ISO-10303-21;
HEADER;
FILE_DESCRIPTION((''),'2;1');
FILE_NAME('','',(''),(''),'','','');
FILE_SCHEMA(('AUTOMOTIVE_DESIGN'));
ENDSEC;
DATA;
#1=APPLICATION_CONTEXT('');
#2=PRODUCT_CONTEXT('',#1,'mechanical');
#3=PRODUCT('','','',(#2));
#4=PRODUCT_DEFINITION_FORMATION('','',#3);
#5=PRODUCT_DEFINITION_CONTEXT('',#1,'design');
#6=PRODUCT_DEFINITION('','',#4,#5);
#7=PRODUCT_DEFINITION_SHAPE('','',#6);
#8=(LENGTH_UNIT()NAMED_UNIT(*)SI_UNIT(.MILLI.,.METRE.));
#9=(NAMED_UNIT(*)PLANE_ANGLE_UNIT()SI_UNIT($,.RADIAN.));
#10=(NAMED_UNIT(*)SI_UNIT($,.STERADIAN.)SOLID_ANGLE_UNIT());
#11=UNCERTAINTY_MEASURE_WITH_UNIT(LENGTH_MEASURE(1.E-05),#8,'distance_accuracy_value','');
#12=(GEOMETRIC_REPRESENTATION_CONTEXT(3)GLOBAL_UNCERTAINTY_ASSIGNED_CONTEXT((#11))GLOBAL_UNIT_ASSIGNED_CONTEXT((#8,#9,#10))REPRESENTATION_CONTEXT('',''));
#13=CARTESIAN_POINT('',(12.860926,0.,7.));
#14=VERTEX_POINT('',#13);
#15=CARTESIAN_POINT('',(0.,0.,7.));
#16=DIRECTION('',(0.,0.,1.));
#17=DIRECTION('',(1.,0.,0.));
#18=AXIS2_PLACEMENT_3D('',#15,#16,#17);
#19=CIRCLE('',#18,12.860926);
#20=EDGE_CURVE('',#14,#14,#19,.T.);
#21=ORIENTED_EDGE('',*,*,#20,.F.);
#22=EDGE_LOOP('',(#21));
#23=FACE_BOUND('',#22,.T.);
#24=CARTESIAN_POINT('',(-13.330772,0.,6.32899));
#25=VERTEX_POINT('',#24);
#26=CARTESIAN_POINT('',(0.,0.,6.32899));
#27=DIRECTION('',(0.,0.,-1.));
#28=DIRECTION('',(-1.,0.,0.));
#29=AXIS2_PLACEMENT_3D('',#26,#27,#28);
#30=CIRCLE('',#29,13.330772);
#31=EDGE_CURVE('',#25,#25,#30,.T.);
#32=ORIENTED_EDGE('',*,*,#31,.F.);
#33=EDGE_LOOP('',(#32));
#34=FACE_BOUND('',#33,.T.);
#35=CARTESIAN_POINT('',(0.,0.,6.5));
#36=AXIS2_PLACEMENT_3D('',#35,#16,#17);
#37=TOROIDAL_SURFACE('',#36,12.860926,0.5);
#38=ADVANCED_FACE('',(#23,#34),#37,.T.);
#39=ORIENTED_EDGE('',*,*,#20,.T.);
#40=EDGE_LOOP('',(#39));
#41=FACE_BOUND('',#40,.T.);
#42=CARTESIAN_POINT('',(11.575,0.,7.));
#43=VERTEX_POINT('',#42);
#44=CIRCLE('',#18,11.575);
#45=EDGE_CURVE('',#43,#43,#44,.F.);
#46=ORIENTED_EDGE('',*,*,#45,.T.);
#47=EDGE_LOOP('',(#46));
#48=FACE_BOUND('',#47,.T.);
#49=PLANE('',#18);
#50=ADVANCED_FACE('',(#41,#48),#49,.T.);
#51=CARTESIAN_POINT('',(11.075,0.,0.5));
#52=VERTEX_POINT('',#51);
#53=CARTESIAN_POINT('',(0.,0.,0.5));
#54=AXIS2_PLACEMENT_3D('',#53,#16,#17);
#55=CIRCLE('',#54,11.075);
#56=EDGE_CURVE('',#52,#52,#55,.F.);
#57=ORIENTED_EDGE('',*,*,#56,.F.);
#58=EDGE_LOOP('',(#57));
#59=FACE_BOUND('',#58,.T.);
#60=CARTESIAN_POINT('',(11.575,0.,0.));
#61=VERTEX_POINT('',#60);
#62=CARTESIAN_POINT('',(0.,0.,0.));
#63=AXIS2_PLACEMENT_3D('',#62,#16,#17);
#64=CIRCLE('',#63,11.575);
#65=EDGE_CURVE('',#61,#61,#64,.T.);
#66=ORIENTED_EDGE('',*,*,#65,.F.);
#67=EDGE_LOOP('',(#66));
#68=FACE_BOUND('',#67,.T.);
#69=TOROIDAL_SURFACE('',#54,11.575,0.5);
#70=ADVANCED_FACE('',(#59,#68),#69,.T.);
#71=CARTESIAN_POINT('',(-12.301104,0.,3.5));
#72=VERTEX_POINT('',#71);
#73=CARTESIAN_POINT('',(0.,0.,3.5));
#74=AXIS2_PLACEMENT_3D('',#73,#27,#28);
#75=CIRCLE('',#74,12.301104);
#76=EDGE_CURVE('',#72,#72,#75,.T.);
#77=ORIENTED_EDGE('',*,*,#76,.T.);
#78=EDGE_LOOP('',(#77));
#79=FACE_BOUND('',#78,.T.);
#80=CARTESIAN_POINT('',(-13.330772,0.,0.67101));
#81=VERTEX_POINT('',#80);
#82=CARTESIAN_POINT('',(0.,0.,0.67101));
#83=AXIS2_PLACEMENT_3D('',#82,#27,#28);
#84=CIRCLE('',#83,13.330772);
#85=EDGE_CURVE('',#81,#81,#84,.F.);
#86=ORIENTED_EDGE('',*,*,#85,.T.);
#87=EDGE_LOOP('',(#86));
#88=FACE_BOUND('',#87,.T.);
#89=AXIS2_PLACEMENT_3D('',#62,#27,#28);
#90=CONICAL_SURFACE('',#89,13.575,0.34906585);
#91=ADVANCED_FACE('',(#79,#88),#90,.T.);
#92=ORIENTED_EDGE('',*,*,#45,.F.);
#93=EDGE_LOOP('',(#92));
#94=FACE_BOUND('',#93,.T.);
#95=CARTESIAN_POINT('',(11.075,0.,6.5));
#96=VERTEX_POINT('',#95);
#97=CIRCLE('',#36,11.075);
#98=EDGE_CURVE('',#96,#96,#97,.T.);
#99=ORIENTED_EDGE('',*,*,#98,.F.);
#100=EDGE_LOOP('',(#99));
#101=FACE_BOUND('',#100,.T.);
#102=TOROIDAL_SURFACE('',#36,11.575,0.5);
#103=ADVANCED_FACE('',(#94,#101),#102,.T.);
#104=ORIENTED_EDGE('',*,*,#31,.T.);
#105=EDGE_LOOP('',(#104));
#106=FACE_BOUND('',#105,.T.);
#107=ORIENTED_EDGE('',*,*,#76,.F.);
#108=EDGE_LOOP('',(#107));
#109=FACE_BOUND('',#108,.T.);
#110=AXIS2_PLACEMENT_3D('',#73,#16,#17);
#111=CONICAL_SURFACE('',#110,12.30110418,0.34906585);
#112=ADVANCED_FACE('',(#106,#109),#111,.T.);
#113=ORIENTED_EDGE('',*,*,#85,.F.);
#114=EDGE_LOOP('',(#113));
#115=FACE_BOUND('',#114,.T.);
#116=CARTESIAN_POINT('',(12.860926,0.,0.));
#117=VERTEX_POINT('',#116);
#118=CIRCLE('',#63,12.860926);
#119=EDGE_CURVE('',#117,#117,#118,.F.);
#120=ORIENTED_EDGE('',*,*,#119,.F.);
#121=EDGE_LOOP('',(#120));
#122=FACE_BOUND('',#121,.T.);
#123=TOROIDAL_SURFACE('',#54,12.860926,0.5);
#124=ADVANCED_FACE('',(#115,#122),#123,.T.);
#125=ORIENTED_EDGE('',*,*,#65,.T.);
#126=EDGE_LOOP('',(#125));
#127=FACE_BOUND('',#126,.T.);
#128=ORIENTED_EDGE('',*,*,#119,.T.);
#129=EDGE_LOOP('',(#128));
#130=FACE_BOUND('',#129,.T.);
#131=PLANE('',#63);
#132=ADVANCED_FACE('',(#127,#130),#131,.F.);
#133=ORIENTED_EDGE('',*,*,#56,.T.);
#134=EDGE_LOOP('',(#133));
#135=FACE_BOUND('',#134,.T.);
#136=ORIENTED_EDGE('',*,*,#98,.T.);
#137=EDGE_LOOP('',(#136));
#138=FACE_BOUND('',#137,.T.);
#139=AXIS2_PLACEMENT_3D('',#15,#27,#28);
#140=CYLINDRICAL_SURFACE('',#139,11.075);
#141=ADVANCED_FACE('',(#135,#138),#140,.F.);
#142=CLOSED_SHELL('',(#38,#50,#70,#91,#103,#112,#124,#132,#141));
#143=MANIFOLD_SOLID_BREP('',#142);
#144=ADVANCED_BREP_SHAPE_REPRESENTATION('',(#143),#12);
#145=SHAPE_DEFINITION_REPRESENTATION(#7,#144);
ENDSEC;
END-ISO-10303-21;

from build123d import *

# Parameters (mm, degrees)
SKETCH1_R           = 13.575
SKETCH1_R_2         = 11.075
BOSS_EXTRUDE1_DEPTH = 7
FILLET1_R           = 0.5
FILLET2_R           = 0.5


with BuildPart() as part:
    # Sketch1 → Boss-Extrude1 (new body)
    with BuildSketch(Plane.XY):
        Circle(SKETCH1_R)
        Circle(SKETCH1_R_2, mode=Mode.SUBTRACT)
    extrude(amount=BOSS_EXTRUDE1_DEPTH)

    # Sketch2 → Cut-Revolve1 (revolve, cut)
    with BuildSketch(Plane(origin=(0, 0, 0), x_dir=(1, 0, 0), z_dir=(0, 1, 0)), mode=Mode.PRIVATE) as cut_revolve1_sk:
        Polygon((13.575, 0), (12.30110418, -3.5), (13.575, -7), align=None)
    revolve(cut_revolve1_sk.sketch.rotate(Axis((0, 0, 0), (0, 0, 1)), 180), axis=Axis((0, 0, 0), (0, 0, 1)), mode=Mode.SUBTRACT)

    # Fillet1
    fillet1_edges = [part.edges().sort_by_distance(p)[0] for p in [
        (13.575, 0, 7),
        (13.575, 0, 0),
    ]]
    fillet(fillet1_edges, radius=FILLET1_R)

    # Fillet2
    fillet2_edges = [part.edges().sort_by_distance(p)[0] for p in [
        (-11.075, 0, 0),
        (-11.075, 0, 7),
    ]]
    fillet(fillet2_edges, radius=FILLET2_R)


solid = part.part
